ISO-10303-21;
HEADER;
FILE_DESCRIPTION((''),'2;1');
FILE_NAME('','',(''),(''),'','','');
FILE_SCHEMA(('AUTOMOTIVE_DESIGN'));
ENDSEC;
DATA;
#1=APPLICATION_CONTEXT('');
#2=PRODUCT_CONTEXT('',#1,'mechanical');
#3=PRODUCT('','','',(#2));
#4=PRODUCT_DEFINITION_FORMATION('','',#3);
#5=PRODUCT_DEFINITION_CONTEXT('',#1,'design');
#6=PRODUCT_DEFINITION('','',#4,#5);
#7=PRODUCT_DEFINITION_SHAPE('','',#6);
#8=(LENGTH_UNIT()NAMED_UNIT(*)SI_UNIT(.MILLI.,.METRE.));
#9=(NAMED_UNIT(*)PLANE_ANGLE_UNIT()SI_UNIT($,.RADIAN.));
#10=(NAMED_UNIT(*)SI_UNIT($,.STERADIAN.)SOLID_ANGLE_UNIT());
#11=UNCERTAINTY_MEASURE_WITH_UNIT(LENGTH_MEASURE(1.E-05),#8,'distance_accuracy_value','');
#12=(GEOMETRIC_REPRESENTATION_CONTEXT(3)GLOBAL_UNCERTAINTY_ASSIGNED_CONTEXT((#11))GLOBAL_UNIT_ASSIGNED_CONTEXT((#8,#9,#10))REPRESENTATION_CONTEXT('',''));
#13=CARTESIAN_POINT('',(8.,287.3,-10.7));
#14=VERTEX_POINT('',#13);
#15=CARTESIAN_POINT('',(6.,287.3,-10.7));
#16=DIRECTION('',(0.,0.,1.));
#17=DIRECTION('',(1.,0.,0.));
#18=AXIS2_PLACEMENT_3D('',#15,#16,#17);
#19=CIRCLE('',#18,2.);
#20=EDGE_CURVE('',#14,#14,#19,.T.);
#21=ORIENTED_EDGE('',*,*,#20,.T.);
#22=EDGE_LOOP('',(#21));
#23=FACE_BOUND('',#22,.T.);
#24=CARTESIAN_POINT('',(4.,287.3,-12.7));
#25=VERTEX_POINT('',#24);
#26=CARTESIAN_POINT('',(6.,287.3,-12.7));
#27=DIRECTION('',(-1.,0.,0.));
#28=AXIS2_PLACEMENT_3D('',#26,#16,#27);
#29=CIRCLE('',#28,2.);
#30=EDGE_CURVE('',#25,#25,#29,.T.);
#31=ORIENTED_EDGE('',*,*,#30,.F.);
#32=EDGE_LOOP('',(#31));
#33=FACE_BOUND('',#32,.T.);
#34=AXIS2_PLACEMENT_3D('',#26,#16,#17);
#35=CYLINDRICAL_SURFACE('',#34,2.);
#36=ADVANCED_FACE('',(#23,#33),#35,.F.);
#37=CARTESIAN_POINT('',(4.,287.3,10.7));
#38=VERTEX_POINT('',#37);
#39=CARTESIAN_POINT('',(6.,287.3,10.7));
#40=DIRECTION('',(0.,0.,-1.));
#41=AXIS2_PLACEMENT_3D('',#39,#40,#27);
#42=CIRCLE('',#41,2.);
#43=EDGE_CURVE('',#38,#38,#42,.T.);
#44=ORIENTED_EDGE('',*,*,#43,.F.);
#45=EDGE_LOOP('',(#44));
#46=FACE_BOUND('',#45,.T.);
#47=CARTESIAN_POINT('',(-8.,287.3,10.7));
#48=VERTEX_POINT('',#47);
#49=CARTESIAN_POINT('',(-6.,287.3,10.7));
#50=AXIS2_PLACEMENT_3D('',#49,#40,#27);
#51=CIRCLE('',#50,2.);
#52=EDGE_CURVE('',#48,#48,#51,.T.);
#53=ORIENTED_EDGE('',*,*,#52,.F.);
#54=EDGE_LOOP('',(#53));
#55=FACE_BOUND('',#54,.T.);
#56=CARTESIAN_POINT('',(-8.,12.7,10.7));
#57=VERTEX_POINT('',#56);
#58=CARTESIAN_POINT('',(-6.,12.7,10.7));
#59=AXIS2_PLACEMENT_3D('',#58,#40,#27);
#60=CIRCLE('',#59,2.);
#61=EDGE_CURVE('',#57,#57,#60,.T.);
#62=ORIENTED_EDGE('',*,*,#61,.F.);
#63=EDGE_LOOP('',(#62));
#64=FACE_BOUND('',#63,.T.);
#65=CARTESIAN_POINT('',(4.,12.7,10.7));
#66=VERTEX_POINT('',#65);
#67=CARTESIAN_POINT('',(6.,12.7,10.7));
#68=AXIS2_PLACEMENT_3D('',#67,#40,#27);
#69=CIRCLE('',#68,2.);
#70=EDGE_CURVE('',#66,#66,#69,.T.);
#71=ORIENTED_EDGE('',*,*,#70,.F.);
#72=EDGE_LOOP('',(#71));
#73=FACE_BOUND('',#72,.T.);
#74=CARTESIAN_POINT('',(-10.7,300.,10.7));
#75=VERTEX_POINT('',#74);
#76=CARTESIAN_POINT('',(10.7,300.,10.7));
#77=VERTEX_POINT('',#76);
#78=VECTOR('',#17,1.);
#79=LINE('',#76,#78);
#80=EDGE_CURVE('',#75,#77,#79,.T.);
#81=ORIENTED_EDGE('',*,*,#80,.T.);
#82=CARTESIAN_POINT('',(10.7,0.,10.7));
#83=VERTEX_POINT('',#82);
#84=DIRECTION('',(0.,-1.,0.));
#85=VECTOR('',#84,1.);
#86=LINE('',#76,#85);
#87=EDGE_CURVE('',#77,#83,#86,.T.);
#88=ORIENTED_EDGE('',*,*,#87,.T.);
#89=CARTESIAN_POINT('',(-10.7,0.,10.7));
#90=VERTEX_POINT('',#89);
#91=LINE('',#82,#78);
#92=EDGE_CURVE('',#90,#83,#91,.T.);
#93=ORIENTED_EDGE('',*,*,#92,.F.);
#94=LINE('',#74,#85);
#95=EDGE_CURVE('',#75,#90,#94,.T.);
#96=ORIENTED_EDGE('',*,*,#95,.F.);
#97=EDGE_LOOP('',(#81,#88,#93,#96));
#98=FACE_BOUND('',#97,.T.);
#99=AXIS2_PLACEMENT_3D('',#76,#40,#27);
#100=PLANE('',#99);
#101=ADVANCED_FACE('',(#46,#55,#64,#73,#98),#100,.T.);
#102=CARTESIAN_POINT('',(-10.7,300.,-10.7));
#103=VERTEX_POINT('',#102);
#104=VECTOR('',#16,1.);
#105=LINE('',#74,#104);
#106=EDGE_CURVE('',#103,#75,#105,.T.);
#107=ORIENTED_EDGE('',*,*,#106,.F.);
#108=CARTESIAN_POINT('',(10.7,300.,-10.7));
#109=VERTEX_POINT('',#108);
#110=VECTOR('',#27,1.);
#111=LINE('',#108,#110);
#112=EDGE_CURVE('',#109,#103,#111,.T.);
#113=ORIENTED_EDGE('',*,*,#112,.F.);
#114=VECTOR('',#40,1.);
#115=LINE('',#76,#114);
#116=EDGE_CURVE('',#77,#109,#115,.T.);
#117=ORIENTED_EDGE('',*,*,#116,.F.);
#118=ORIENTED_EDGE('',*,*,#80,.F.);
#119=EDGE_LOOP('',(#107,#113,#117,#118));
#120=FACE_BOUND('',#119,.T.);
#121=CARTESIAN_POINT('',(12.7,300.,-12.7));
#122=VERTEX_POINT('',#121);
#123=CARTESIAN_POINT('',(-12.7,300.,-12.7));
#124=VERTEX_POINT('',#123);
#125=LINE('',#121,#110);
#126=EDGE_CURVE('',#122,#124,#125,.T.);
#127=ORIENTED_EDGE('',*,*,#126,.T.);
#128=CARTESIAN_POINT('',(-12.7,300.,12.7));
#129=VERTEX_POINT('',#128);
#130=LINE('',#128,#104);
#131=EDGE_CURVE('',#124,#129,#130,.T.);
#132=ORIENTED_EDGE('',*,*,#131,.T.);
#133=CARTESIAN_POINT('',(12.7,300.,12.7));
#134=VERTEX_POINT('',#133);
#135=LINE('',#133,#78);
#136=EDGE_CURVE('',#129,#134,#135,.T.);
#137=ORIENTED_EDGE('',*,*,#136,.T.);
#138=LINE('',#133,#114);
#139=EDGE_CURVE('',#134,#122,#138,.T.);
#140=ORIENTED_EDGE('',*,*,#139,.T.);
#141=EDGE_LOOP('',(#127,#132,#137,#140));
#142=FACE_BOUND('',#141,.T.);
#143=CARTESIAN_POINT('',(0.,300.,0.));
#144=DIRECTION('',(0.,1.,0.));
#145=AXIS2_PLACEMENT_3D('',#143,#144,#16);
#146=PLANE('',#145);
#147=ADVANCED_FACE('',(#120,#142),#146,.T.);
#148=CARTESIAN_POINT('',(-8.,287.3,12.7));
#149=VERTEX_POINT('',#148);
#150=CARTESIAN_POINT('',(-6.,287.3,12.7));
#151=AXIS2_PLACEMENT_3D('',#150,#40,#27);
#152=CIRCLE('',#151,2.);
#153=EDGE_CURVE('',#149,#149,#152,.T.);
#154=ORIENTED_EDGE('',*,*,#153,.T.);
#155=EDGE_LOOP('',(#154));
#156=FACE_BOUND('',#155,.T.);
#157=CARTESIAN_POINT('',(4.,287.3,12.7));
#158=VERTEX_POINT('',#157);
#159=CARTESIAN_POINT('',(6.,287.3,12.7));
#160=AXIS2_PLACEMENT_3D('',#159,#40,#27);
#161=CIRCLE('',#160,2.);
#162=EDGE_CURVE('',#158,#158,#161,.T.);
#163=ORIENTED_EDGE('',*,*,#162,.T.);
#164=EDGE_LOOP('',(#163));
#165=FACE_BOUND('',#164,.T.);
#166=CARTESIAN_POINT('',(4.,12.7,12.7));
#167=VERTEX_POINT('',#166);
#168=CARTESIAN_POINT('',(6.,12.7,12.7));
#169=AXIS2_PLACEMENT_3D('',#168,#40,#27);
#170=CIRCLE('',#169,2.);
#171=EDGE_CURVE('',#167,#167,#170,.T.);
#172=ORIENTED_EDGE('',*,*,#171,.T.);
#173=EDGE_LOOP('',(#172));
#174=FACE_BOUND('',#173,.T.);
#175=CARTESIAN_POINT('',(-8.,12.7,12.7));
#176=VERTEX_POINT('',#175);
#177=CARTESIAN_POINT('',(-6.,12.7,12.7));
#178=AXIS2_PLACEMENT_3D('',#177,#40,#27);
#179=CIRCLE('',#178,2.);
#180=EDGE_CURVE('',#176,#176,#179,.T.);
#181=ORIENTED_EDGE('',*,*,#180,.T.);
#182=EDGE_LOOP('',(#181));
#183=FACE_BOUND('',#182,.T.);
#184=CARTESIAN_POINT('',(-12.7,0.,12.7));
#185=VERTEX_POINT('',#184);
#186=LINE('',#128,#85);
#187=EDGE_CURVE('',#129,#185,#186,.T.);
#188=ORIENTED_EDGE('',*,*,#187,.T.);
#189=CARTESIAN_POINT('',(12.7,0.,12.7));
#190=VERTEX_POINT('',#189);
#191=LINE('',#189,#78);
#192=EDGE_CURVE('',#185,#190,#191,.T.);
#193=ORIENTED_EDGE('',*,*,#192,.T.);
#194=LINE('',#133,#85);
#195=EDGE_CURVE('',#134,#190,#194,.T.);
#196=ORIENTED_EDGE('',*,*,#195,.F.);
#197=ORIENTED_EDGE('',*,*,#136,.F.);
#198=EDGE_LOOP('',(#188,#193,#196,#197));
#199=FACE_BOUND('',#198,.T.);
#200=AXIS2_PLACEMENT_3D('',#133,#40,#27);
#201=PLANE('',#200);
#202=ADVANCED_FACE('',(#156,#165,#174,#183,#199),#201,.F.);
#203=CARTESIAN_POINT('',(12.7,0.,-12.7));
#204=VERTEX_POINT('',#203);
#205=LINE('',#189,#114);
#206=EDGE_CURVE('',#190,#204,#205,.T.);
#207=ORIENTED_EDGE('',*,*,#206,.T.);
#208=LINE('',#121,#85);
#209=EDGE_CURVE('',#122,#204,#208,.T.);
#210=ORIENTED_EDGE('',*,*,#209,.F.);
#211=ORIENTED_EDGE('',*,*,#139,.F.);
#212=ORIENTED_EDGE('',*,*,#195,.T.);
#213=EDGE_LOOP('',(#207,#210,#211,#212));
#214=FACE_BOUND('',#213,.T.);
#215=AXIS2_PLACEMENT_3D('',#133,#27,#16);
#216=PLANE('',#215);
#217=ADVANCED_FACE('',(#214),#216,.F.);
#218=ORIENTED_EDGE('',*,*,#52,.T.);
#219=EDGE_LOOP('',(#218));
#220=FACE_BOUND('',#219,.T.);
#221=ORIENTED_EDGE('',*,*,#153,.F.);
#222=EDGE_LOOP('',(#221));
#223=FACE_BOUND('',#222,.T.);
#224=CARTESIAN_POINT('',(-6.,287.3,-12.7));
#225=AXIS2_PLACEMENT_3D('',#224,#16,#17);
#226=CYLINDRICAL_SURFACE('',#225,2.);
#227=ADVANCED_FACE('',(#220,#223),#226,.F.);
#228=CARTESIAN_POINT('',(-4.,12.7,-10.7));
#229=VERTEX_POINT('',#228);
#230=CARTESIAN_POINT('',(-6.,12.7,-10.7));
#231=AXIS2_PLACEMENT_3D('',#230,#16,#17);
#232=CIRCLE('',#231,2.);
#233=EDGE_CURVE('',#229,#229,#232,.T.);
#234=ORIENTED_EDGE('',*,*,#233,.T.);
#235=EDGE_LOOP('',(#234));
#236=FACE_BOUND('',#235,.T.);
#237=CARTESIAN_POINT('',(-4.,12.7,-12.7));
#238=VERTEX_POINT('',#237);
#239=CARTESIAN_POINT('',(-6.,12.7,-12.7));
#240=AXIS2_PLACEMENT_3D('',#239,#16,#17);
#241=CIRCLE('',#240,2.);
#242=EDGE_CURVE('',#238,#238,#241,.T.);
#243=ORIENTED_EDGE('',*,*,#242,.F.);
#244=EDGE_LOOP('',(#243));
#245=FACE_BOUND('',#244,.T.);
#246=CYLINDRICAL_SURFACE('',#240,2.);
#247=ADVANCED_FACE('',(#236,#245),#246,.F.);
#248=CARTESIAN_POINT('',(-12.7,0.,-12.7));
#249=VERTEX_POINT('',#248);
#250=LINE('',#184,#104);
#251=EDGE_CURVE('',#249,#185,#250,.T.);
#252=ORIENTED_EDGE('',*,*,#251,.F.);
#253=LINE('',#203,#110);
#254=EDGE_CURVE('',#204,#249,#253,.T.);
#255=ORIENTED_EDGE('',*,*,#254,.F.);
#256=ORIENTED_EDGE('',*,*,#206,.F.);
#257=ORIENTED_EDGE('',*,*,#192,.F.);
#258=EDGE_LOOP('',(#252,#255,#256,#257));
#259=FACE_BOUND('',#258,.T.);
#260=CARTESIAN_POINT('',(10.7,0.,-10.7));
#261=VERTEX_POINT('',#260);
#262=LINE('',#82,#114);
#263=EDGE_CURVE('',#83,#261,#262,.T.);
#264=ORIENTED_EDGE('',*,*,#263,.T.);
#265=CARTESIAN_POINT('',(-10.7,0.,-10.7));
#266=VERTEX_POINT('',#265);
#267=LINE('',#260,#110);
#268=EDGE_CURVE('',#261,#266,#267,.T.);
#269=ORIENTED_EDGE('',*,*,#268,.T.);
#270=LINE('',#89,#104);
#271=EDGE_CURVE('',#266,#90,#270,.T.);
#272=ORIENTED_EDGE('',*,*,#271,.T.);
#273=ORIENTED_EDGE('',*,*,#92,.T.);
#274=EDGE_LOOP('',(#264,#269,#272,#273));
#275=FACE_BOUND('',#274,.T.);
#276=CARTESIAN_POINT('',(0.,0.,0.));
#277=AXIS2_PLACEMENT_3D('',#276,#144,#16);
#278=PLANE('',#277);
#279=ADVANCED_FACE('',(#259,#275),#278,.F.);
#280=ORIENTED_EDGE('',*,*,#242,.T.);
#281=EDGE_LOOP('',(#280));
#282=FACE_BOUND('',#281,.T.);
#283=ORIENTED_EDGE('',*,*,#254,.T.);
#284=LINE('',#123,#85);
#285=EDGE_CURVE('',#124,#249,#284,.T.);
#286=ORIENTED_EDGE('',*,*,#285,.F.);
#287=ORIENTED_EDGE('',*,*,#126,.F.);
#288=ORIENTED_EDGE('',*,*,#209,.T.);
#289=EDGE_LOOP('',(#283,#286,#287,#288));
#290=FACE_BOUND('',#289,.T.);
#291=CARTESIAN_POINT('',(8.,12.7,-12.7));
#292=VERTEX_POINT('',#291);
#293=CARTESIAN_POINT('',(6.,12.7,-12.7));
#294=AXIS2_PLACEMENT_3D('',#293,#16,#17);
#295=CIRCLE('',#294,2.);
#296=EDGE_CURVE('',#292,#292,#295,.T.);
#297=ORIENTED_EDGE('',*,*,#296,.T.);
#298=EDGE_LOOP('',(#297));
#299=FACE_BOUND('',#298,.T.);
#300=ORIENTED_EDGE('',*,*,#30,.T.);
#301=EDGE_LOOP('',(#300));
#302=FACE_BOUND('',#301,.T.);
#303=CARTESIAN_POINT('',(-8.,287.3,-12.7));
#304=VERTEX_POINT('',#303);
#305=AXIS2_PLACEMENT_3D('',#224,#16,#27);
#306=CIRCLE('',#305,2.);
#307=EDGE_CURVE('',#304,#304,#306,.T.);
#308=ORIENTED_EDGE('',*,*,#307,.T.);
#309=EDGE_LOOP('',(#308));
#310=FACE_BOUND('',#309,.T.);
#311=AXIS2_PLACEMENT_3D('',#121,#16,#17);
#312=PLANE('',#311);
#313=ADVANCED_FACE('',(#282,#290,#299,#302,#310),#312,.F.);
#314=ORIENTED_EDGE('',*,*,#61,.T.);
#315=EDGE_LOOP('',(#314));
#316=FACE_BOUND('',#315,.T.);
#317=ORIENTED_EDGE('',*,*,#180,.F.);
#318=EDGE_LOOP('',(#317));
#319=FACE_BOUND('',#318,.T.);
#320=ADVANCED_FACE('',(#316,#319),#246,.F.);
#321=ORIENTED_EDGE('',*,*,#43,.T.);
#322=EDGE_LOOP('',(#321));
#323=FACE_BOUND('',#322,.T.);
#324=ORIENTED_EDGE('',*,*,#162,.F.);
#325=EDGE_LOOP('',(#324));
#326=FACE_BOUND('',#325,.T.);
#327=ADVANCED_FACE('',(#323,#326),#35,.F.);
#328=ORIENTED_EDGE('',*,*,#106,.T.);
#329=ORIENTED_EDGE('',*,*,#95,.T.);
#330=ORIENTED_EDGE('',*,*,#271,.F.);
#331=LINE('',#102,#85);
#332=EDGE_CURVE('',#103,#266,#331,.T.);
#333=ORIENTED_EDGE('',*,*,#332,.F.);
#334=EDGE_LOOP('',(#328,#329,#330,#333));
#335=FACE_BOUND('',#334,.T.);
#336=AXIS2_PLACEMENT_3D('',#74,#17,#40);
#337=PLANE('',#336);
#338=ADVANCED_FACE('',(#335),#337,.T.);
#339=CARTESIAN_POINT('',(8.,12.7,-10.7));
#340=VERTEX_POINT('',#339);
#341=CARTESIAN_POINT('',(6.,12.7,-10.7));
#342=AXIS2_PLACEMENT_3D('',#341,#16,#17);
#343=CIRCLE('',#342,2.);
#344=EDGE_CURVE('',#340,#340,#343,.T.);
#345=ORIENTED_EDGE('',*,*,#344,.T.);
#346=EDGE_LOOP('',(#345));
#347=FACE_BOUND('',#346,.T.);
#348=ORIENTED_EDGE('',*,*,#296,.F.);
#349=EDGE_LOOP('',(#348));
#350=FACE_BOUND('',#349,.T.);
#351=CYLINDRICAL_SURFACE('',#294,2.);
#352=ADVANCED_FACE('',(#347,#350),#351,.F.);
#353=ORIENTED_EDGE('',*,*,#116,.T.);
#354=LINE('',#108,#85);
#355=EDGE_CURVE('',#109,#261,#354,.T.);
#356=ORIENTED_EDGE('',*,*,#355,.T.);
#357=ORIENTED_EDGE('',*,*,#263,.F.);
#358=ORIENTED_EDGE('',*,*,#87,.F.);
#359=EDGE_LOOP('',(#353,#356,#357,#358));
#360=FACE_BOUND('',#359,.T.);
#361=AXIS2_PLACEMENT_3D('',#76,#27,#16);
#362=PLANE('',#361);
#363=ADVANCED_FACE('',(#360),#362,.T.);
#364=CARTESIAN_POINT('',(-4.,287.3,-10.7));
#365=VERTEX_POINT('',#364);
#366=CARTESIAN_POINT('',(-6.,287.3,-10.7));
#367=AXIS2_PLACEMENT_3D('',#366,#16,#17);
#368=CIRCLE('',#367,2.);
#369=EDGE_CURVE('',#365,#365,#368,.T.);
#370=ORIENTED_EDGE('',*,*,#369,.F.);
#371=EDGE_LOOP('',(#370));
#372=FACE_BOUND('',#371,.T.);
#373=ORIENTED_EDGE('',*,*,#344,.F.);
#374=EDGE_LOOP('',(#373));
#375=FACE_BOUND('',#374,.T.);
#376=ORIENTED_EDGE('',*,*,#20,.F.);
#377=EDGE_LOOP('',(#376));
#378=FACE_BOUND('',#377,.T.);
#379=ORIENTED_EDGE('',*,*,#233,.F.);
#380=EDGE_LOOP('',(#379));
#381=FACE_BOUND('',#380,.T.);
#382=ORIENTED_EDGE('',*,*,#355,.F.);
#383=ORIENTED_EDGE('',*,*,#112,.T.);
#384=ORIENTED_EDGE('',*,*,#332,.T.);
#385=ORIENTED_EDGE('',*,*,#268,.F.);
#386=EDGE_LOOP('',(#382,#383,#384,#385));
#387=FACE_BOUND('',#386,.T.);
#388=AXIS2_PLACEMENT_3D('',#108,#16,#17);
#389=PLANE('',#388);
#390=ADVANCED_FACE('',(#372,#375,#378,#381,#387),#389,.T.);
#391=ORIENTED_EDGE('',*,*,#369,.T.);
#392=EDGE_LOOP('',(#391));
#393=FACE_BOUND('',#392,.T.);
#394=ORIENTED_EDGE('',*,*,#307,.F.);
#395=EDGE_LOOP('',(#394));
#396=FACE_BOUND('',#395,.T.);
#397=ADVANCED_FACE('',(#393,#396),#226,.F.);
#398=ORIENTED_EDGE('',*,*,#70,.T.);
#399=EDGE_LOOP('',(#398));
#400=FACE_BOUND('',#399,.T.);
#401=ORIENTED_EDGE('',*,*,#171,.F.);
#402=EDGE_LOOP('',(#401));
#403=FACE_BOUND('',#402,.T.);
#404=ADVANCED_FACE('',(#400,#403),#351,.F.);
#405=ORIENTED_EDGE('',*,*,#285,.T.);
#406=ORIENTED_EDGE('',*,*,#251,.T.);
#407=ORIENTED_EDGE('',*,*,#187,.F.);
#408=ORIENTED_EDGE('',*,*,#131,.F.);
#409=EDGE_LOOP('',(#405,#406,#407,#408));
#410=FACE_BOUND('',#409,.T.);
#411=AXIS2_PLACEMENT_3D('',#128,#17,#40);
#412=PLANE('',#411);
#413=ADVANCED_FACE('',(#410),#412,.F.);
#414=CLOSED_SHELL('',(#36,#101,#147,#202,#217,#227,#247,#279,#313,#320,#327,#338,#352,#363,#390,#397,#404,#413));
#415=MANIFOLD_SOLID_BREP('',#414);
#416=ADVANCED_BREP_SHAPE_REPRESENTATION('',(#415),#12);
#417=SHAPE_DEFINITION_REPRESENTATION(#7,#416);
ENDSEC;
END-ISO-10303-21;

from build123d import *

# Parameters (mm, degrees)
SKETCH1_W               = 25.4
SKETCH1_H               = 25.4
SKETCH1_W_2             = 21.4
SKETCH1_H_2             = 21.4
BOSS_EXTRUDE1_DEPTH     = 300
CUT_EXTRUDE1_DEPTH      = 302.341085815
CUT_EXTRUDE1_DEPTH_BACK = 302.341085815
SKETCH2_R               = 2


with BuildPart() as part:
    # Sketch1 → Boss-Extrude1 (new body)
    with BuildSketch(Plane(origin=(0, 0, 0), x_dir=(1, 0, 0), z_dir=(0, 1, 0))):
        Rectangle(SKETCH1_W, SKETCH1_H)
        Rectangle(SKETCH1_W_2, SKETCH1_H_2, mode=Mode.SUBTRACT)
    extrude(amount=BOSS_EXTRUDE1_DEPTH)

    # Sketch2 → Cut-Extrude1 (cut, two sides: drawn at the far end of the back side and taken through both)
    with BuildSketch(Plane.XY.offset(12.7).offset(-CUT_EXTRUDE1_DEPTH_BACK)):
        with Locations((-6, 12.7)):
            Circle(SKETCH2_R)
        with Locations((6, 12.7)):
            Circle(SKETCH2_R)
        with Locations((6, 287.3)):
            Circle(SKETCH2_R)
        with Locations((-6, 287.3)):
            Circle(SKETCH2_R)
    extrude(amount=CUT_EXTRUDE1_DEPTH + CUT_EXTRUDE1_DEPTH_BACK, mode=Mode.SUBTRACT)


solid = part.part
